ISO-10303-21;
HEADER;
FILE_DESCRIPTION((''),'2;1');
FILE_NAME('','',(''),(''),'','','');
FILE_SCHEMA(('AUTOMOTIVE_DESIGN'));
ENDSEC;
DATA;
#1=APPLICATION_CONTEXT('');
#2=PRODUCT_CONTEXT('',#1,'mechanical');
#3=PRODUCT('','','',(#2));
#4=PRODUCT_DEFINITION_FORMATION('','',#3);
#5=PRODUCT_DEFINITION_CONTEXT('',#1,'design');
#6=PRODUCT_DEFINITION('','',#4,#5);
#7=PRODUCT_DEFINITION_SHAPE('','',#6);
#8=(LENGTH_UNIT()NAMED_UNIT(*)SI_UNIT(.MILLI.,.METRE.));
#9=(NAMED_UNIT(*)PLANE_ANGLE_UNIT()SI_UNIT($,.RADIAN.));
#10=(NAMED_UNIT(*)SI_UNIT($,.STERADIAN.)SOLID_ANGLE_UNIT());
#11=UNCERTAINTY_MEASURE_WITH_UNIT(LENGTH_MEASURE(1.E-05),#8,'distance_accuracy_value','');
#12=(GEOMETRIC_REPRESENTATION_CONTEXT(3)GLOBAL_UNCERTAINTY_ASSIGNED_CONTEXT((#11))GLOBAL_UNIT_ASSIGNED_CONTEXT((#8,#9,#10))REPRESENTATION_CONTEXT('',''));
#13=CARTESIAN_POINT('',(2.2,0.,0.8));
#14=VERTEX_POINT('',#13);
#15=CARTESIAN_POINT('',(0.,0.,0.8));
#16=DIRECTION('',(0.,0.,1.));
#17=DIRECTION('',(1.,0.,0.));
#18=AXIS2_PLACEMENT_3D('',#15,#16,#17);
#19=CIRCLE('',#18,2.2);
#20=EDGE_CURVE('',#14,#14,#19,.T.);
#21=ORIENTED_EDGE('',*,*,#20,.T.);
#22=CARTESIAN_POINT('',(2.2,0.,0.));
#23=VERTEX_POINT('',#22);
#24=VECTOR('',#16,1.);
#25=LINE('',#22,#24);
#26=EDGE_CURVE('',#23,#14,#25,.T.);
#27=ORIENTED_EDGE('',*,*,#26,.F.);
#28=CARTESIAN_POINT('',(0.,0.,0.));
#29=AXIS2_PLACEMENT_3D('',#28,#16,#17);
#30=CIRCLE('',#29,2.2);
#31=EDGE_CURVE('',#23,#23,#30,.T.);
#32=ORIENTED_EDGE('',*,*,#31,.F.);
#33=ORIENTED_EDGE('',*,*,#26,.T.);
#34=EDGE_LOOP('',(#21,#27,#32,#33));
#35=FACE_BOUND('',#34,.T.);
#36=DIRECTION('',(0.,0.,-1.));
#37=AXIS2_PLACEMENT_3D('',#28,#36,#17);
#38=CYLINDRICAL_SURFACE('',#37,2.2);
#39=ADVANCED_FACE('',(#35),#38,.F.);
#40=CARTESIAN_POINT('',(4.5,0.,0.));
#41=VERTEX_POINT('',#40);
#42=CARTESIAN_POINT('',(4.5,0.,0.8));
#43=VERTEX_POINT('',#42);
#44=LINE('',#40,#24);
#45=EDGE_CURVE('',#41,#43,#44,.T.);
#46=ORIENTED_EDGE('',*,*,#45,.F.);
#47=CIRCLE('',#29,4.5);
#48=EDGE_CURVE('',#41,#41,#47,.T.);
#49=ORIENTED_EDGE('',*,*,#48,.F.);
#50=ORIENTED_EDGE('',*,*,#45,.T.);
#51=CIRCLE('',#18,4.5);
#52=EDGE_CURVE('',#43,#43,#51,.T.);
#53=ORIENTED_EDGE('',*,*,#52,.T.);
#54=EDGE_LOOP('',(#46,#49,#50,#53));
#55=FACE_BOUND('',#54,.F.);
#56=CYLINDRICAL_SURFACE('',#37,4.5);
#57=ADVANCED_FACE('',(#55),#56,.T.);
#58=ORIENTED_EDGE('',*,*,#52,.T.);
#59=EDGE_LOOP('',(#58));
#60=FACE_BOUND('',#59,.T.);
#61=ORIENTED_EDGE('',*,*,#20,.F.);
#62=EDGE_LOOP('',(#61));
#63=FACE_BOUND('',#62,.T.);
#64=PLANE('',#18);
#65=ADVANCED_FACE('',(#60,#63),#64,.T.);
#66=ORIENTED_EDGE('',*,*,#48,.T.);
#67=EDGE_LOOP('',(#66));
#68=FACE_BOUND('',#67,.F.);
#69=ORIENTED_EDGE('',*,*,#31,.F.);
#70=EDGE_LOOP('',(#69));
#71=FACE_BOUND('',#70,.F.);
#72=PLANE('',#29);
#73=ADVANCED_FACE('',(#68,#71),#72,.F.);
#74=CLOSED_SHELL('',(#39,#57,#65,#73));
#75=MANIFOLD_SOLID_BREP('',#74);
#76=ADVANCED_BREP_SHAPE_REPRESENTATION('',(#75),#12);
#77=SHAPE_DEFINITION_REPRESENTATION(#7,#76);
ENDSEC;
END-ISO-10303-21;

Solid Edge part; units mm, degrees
sketch "Sketch1" plane through (0, 0, 0) normal (0, 0, 1) x (1, 0, 0)
  circle A0 centre (0, 0) radius 4.5
  circle A1 centre (0, 0) radius 2.2
extrude "Protrusion1" add sketch "Sketch1" along normal blind 0.8
properties material "Stainless steel"
